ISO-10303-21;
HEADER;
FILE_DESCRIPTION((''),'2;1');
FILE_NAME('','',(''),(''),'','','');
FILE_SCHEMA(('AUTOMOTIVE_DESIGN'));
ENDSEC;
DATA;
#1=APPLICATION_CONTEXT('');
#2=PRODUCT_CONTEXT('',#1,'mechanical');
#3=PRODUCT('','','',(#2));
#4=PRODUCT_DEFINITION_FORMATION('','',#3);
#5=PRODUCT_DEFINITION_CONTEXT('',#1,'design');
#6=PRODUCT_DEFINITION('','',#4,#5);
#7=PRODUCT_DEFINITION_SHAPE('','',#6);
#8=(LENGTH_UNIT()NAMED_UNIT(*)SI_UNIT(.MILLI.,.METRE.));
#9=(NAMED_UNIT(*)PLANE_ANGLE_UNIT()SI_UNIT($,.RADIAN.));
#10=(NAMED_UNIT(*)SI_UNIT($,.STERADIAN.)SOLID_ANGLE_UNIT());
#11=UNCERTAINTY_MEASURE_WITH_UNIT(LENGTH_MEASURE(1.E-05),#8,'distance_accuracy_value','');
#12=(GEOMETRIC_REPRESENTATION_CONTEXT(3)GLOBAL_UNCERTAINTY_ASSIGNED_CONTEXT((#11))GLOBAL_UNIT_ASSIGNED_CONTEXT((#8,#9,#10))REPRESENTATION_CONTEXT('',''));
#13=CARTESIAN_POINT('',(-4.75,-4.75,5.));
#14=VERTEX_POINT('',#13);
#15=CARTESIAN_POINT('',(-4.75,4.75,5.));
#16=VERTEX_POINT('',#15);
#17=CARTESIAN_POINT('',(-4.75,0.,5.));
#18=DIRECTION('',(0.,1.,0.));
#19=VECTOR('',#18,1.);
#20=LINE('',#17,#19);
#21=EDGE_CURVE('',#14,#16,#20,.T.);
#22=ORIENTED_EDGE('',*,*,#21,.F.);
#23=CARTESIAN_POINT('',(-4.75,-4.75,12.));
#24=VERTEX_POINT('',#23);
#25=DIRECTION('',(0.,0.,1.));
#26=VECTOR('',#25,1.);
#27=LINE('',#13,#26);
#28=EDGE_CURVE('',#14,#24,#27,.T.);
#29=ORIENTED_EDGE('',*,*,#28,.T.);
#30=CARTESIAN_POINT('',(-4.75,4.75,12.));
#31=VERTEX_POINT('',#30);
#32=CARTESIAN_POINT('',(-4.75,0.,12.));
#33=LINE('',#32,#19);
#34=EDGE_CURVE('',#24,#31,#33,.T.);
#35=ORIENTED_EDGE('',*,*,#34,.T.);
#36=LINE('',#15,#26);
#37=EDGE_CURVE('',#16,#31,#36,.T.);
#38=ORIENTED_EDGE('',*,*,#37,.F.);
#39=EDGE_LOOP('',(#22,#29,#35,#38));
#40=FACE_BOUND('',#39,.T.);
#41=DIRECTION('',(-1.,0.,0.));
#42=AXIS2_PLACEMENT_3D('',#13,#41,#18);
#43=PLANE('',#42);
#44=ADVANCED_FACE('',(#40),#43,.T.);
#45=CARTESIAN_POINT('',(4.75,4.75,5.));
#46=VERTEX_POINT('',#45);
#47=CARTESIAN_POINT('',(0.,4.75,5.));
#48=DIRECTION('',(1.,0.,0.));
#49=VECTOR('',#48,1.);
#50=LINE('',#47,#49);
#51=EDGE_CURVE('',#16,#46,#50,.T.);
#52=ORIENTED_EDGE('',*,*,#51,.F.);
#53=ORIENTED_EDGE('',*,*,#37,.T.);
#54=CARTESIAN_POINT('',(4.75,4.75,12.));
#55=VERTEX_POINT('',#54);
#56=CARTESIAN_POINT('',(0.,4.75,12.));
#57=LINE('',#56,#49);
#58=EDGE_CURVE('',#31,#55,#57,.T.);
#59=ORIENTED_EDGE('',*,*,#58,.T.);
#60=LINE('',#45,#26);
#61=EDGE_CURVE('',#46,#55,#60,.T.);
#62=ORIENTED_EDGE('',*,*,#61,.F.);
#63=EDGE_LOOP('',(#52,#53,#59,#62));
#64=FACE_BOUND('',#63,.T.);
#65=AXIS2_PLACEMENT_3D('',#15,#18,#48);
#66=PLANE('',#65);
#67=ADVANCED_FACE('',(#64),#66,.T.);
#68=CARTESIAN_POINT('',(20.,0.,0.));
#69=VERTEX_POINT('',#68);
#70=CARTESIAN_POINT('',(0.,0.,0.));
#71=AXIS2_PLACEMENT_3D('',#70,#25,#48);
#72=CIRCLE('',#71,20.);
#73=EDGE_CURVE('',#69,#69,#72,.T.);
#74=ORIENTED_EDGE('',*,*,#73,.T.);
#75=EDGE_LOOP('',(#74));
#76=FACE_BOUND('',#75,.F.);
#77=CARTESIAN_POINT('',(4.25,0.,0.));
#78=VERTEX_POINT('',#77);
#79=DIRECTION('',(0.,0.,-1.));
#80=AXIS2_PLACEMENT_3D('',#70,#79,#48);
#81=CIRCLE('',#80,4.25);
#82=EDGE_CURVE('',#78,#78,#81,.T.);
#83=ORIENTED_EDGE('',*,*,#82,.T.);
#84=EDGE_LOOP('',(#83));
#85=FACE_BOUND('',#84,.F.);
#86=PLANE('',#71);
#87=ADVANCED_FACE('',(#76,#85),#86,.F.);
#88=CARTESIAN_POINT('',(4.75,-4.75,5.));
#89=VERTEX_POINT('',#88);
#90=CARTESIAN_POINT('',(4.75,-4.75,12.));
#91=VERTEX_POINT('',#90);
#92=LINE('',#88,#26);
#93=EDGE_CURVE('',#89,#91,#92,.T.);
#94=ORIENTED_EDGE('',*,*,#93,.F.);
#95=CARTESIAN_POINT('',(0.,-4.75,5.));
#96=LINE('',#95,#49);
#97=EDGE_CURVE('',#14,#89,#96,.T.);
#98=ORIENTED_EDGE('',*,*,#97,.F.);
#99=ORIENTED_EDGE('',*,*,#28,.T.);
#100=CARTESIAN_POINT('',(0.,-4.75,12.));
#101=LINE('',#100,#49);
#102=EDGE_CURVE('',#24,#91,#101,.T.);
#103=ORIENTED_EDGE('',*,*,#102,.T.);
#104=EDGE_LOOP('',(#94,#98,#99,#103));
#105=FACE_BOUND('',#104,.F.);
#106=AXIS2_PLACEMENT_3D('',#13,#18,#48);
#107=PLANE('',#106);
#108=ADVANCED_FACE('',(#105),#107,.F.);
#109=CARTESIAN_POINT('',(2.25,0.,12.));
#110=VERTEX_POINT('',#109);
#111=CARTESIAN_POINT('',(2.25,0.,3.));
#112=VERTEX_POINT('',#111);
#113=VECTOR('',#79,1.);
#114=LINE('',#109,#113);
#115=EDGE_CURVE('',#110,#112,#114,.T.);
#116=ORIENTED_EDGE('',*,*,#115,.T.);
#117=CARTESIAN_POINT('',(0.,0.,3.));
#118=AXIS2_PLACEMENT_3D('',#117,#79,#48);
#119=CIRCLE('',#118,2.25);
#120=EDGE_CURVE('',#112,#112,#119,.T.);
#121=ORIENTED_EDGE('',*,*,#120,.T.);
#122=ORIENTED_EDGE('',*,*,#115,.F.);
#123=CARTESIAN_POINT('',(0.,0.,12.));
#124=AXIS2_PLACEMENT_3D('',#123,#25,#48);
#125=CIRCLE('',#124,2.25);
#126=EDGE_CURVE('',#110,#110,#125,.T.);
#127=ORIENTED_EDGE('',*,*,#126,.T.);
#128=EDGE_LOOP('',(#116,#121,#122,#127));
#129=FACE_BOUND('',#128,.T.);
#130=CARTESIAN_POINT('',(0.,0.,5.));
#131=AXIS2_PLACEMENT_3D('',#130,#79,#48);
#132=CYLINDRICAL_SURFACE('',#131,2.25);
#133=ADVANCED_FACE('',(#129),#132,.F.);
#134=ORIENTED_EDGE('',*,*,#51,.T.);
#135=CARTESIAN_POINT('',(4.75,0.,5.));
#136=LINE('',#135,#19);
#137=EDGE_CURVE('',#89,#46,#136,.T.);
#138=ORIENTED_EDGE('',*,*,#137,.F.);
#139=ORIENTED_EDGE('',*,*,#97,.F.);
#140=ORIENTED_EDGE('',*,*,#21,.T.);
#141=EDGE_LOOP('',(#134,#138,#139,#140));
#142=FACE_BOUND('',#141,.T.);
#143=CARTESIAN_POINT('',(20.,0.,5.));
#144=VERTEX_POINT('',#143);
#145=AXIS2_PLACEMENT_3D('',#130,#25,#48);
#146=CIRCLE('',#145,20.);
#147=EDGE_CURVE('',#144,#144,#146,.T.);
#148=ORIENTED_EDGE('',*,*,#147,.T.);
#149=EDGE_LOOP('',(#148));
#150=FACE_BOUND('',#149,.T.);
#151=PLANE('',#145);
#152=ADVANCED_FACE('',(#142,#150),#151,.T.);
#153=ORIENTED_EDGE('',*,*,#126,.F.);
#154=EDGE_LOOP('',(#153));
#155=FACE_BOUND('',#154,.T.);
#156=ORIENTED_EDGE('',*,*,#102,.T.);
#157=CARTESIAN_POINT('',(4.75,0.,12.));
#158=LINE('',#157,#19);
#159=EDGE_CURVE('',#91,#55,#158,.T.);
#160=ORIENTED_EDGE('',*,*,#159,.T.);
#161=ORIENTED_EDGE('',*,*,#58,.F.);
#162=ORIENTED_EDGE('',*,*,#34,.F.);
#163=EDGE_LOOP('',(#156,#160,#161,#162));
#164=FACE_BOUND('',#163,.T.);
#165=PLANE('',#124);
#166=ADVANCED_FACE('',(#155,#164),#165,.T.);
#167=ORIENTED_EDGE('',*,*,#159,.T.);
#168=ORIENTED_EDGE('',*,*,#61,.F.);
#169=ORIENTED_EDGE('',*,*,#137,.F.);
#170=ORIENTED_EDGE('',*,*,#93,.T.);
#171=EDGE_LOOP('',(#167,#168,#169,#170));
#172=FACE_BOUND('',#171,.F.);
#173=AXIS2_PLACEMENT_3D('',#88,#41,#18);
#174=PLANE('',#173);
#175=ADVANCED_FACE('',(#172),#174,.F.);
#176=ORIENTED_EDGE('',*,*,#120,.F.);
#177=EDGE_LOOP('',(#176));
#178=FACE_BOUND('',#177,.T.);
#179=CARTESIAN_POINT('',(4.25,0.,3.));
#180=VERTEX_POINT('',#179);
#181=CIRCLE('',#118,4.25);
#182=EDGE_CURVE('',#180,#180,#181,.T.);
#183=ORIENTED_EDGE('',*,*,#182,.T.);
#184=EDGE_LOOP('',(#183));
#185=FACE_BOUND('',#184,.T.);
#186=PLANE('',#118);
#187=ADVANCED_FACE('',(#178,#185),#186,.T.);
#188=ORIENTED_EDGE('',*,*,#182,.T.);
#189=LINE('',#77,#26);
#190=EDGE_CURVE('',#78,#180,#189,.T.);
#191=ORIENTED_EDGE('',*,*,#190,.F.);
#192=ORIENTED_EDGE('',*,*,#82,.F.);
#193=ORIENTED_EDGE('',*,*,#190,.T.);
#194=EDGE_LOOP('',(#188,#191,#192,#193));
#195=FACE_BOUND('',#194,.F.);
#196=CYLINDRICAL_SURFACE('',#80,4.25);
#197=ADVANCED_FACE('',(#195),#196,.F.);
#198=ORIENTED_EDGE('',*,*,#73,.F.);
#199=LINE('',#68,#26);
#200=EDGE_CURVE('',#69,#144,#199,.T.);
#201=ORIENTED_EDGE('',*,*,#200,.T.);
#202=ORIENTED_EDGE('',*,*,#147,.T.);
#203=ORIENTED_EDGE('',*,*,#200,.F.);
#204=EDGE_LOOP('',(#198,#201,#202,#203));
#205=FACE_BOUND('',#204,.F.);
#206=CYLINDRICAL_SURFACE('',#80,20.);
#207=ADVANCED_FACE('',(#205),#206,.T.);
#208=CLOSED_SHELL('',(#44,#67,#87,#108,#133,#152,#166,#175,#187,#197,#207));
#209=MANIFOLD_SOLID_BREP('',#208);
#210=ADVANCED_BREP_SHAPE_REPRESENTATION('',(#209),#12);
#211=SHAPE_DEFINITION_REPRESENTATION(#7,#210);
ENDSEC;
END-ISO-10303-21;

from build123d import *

# Parameters (mm, degrees)
F0_R     = 20
F0_R_2   = 2.25
F1_DEPTH = 5
F2_W     = 9.5
F2_H     = 9.5
F2_R     = 2.25
F3_DEPTH = 7
F4_R     = 4.25
F4_R_2   = 2.25
F5_DEPTH = 3


with BuildPart() as f1:
    # F0 (on Top) → F1 (new body)
    with BuildSketch(Plane.XY):
        Circle(F0_R)
        Circle(F0_R_2, mode=Mode.SUBTRACT)
    extrude(amount=F1_DEPTH)

    # F2 (on face) → F3 (join)
    with BuildSketch(Plane.XY.offset(5)):
        Rectangle(F2_W, F2_H)
        Circle(F2_R, mode=Mode.SUBTRACT)
    extrude(amount=F3_DEPTH)

    # F4 (on face) → F5 (cut)
    with BuildSketch(Plane(origin=(0, 0, 0), x_dir=(1, 0, 0), z_dir=(0, 0, -1))):
        Circle(F4_R)
        Circle(F4_R_2, mode=Mode.SUBTRACT)
    extrude(amount=-F5_DEPTH, mode=Mode.SUBTRACT)


solid = f1.part
